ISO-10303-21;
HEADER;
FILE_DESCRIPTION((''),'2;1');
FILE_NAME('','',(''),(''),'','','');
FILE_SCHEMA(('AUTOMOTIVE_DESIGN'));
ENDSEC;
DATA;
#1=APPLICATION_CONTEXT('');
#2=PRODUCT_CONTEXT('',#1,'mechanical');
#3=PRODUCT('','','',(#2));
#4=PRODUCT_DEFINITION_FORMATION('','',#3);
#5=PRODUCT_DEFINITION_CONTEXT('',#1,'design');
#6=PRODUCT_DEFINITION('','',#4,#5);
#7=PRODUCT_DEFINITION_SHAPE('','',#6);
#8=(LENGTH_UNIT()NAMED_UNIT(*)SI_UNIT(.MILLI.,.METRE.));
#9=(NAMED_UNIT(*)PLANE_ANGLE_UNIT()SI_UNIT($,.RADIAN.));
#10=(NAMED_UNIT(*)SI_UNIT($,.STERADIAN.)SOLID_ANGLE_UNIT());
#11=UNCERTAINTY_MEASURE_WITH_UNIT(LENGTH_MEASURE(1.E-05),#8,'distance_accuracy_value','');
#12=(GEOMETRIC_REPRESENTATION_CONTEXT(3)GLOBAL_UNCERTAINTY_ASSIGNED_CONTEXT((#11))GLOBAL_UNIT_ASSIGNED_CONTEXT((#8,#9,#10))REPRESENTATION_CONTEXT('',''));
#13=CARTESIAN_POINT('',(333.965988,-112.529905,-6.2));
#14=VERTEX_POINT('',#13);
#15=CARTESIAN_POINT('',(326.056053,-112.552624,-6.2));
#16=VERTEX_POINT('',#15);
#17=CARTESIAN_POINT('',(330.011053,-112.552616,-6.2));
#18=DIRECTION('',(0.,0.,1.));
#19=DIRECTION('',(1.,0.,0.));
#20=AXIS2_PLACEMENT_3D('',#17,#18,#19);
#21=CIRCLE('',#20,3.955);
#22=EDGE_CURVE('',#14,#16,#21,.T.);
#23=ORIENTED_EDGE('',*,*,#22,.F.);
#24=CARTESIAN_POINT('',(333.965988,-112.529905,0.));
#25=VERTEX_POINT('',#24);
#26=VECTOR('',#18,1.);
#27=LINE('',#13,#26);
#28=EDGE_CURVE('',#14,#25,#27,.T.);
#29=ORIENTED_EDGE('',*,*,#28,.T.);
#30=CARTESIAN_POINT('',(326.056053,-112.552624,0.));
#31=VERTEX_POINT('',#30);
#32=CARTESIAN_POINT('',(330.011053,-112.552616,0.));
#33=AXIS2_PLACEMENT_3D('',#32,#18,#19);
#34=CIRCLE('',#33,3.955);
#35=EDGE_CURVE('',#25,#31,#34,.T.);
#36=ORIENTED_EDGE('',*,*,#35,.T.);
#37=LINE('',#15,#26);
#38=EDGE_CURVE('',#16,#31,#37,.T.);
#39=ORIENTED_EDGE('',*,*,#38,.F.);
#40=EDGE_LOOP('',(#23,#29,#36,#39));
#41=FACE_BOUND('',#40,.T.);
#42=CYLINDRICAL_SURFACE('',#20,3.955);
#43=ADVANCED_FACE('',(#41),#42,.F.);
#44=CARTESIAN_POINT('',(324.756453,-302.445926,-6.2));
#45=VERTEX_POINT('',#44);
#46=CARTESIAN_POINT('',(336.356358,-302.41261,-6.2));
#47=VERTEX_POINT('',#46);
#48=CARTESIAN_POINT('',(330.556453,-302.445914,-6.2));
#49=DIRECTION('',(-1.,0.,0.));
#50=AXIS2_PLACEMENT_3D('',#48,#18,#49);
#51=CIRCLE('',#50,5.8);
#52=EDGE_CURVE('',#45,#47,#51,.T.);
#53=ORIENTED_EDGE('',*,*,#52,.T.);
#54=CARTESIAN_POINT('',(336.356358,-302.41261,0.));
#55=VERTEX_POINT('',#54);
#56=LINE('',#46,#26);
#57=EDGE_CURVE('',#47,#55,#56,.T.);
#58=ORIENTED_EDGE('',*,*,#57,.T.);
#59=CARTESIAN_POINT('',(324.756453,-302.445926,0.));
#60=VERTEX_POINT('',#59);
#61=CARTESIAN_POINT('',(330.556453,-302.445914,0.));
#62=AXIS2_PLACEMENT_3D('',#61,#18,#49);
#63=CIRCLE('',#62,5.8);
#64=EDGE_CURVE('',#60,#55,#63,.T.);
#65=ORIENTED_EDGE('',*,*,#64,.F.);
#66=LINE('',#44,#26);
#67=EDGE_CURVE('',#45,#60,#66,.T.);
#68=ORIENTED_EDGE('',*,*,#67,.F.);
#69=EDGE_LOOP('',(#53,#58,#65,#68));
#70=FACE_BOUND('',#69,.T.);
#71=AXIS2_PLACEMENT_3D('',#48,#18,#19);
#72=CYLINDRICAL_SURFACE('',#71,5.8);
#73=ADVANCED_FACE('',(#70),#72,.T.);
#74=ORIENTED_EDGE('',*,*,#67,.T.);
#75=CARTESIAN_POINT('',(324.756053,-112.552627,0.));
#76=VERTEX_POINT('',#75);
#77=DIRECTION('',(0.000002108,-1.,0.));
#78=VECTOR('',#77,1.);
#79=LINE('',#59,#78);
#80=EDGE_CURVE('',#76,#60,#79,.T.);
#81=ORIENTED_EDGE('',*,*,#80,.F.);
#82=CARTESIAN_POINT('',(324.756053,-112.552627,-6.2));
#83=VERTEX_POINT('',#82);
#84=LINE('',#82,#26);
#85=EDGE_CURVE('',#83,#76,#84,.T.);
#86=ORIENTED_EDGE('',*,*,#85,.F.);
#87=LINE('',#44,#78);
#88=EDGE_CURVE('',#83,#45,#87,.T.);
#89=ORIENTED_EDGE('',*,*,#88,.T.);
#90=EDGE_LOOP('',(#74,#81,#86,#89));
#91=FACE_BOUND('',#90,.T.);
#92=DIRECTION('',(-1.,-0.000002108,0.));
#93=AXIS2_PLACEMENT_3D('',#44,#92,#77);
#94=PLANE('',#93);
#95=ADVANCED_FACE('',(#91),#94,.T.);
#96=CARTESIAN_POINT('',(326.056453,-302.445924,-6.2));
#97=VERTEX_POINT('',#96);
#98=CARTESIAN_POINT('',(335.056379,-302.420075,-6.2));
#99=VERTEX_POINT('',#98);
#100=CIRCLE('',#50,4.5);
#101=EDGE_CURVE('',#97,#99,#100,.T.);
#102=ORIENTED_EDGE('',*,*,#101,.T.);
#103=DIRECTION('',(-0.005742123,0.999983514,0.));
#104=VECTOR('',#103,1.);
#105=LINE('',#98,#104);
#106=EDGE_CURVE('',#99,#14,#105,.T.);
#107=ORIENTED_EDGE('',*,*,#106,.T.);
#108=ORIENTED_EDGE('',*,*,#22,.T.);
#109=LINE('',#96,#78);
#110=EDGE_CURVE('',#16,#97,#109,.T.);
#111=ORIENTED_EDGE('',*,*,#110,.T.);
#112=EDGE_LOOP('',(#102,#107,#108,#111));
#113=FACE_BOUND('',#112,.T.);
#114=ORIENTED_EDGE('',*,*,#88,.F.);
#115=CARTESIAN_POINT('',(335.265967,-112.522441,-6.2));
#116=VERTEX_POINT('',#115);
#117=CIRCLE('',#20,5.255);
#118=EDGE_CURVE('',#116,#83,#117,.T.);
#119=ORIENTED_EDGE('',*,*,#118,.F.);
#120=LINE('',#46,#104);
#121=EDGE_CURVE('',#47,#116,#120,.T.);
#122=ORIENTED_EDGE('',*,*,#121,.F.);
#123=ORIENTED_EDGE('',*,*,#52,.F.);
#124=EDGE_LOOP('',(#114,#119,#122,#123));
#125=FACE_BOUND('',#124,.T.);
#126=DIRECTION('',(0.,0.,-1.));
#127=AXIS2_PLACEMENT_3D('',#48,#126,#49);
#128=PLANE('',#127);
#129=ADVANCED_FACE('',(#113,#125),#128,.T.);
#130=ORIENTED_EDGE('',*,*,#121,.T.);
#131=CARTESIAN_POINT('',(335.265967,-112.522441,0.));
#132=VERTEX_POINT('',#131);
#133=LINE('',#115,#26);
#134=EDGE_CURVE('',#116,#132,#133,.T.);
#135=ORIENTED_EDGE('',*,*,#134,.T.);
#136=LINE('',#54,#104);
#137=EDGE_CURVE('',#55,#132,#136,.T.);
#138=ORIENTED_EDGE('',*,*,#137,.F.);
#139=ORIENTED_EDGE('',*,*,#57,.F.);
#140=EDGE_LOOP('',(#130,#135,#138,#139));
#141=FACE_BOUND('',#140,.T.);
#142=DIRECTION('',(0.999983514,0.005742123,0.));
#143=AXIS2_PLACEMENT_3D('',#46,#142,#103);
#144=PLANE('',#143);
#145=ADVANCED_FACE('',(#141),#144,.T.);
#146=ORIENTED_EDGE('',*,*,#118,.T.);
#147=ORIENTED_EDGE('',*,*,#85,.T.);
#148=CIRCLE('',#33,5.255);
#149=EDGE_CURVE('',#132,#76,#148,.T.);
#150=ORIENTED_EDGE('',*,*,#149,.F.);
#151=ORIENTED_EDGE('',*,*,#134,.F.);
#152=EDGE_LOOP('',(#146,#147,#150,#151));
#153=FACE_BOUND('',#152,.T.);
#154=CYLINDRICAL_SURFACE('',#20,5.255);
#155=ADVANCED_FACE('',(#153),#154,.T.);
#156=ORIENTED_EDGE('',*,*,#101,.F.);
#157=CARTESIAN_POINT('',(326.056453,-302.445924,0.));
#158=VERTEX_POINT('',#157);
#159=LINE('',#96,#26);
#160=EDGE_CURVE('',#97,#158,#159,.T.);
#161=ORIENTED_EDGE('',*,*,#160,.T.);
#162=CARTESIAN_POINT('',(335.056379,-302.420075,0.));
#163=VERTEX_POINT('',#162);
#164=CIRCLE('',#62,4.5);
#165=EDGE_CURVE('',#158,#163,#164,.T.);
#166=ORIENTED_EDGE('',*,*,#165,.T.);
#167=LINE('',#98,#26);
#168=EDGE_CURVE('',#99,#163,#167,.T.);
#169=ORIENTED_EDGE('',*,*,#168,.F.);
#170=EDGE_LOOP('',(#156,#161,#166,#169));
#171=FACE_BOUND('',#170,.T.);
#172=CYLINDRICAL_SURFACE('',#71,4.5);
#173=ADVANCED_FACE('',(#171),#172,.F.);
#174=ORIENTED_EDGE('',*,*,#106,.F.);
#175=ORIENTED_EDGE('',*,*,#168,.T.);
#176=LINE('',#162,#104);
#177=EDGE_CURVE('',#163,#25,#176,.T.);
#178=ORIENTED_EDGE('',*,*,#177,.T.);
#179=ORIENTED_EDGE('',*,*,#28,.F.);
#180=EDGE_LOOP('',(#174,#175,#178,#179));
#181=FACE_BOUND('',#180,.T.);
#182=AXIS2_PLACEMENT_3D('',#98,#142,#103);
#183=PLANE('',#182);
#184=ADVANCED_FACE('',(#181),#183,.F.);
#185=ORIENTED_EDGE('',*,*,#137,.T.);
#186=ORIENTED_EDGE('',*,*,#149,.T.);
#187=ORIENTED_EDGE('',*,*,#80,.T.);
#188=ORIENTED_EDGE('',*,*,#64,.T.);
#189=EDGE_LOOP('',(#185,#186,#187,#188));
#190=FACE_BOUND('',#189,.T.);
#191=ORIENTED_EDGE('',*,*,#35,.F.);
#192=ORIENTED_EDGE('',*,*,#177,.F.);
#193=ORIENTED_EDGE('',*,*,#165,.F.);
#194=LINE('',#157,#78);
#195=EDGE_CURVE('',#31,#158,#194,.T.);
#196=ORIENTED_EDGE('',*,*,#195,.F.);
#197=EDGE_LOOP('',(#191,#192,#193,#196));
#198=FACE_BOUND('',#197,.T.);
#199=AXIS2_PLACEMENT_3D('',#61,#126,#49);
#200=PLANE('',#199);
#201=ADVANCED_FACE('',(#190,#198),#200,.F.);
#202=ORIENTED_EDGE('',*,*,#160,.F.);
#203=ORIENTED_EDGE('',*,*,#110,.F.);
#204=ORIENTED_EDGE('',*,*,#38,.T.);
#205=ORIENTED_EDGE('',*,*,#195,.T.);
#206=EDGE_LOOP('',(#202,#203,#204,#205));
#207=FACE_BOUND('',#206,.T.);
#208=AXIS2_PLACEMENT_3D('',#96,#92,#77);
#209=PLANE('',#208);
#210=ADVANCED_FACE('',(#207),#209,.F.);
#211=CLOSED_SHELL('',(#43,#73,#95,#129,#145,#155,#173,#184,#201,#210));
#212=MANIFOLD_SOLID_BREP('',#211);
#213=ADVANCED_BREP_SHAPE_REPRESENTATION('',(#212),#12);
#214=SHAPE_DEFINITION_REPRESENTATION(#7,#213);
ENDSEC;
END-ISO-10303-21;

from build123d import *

# Parameters (mm, degrees)
BOSS_EXTRUDE1_DEPTH = 6.2


with BuildPart() as part:
    # Sketch1 → Boss-Extrude1 (new body)
    with BuildSketch(Plane.XY):
        with BuildLine():
            Line((324.756453181, -302.445926457), (324.756052939, -112.552626659))
            ThreePointArc((324.756052939, -112.552626659), (329.995960151, -107.297637015), (335.265966789, -112.522440722))
            Line((335.265966789, -112.522440722), (336.356357561, -302.412609916))
            ThreePointArc((336.356357561, -302.412609916), (330.57311152, -308.245890309), (324.756453181, -302.445926457))
        make_face()
        with BuildLine():
            Line((326.056453181, -302.445923717), (326.056052939, -112.552623919))
            ThreePointArc((326.056052939, -112.552623919), (329.999693916, -108.597631653), (333.965988221, -112.529905483))
            Line((333.965988221, -112.529905483), (335.056378993, -302.420074676))
            ThreePointArc((335.056378993, -302.420074676), (330.569377754, -306.945895671), (326.056453181, -302.445923717))
        make_face(mode=Mode.SUBTRACT)
    extrude(amount=-BOSS_EXTRUDE1_DEPTH)


solid = part.part
